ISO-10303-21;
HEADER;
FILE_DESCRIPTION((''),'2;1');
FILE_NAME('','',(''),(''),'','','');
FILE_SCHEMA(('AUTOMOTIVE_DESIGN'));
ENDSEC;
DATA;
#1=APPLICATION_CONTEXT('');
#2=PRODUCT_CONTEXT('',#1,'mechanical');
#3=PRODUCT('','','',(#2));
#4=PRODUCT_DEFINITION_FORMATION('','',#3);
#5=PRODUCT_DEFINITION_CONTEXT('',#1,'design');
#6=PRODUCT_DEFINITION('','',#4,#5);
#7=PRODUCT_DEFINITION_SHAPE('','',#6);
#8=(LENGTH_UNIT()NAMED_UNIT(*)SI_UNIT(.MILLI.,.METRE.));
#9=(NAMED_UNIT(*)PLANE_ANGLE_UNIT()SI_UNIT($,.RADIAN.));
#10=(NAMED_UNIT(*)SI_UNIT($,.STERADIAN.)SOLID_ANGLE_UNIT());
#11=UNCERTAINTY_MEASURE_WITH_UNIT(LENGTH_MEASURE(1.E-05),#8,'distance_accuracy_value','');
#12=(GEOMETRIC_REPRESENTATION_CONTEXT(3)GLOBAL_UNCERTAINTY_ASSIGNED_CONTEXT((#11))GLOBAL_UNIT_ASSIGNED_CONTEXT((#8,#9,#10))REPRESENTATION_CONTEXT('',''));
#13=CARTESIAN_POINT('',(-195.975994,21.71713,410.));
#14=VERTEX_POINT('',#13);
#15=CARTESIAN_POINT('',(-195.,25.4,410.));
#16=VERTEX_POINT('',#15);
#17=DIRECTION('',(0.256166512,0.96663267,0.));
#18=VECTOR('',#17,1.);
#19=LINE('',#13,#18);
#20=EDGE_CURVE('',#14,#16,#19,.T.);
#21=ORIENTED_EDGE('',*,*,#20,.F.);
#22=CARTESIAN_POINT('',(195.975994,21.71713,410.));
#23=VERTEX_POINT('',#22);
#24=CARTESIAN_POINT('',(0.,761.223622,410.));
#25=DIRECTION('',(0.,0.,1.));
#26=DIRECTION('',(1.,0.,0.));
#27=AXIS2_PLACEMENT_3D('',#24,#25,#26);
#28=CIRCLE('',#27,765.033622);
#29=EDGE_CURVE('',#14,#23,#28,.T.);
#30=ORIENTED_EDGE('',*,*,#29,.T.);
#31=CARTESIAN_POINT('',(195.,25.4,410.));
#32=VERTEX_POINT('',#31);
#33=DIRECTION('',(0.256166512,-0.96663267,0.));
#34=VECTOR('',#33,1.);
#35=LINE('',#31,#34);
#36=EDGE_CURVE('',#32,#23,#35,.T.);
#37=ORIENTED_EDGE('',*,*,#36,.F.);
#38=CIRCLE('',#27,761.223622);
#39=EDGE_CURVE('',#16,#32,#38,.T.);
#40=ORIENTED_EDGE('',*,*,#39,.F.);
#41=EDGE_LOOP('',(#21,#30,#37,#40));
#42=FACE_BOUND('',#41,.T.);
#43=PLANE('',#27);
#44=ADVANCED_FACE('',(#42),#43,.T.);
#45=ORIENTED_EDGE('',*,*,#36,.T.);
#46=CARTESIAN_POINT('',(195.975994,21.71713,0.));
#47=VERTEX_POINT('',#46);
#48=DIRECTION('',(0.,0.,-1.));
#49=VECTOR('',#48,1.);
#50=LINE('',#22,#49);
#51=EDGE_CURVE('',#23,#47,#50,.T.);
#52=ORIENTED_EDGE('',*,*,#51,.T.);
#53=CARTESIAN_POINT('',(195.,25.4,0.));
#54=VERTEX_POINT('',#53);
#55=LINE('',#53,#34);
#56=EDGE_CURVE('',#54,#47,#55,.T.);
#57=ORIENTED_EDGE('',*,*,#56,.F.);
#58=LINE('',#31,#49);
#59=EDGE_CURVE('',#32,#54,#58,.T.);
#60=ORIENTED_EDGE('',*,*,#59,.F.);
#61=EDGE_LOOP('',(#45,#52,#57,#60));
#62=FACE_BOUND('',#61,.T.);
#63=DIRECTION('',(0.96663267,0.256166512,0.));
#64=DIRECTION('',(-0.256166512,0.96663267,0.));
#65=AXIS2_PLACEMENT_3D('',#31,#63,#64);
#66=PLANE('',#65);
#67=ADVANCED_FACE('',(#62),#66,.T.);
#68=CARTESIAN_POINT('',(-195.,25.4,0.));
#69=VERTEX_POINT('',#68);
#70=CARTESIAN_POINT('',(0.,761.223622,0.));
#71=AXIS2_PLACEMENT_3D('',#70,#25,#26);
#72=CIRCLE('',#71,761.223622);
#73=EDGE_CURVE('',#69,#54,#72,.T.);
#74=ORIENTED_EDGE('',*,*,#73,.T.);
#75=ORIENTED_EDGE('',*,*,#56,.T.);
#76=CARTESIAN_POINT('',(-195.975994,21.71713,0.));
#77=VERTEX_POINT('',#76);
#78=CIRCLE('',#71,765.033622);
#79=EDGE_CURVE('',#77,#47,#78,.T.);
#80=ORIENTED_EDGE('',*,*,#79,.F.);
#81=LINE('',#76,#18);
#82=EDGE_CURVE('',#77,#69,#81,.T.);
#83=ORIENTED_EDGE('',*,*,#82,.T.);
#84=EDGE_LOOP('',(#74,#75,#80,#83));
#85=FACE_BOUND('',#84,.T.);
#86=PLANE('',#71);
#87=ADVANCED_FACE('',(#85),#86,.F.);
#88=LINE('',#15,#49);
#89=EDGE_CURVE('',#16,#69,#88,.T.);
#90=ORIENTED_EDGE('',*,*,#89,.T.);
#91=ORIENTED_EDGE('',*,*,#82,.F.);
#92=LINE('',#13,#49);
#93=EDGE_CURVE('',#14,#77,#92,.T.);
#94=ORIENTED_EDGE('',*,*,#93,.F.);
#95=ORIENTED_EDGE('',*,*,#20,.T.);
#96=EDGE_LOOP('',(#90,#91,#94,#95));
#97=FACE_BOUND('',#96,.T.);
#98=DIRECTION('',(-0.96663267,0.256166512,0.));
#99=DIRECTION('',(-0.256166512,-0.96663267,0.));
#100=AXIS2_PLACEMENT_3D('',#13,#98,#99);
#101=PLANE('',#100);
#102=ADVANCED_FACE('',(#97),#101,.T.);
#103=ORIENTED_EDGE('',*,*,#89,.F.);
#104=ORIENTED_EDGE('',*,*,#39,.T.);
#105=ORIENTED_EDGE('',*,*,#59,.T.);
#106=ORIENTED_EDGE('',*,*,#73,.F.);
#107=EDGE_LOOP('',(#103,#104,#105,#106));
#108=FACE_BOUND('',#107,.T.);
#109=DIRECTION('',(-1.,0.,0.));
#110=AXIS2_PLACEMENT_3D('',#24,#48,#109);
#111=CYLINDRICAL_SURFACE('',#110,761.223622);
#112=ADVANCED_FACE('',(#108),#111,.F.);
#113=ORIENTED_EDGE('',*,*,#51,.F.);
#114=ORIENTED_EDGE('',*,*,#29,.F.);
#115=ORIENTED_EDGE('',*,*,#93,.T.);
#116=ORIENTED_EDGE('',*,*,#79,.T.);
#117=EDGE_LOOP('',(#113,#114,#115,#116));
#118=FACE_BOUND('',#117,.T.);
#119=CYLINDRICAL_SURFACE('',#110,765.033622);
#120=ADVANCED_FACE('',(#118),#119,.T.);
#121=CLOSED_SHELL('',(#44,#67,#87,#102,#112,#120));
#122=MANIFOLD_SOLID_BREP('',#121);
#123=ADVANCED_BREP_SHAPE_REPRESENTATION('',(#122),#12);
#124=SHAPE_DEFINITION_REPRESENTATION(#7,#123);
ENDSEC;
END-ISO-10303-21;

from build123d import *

# Parameters (mm, degrees)
EXTRUDE_THIN1_DEPTH = 410


with BuildPart() as part:
    # Sketch1 → Extrude-Thin1 (new body)
    with BuildSketch(Plane.XY):
        with BuildLine():
            ThreePointArc((-195, 25.4), (0, 0), (195, 25.4))
            Line((195, 25.4), (195.97599441, 21.717129528))
            ThreePointArc((195.97599441, 21.717129528), (0, -3.81), (-195.97599441, 21.717129528))
            Line((-195.97599441, 21.717129528), (-195, 25.4))
        make_face()
    extrude(amount=EXTRUDE_THIN1_DEPTH)


solid = part.part
